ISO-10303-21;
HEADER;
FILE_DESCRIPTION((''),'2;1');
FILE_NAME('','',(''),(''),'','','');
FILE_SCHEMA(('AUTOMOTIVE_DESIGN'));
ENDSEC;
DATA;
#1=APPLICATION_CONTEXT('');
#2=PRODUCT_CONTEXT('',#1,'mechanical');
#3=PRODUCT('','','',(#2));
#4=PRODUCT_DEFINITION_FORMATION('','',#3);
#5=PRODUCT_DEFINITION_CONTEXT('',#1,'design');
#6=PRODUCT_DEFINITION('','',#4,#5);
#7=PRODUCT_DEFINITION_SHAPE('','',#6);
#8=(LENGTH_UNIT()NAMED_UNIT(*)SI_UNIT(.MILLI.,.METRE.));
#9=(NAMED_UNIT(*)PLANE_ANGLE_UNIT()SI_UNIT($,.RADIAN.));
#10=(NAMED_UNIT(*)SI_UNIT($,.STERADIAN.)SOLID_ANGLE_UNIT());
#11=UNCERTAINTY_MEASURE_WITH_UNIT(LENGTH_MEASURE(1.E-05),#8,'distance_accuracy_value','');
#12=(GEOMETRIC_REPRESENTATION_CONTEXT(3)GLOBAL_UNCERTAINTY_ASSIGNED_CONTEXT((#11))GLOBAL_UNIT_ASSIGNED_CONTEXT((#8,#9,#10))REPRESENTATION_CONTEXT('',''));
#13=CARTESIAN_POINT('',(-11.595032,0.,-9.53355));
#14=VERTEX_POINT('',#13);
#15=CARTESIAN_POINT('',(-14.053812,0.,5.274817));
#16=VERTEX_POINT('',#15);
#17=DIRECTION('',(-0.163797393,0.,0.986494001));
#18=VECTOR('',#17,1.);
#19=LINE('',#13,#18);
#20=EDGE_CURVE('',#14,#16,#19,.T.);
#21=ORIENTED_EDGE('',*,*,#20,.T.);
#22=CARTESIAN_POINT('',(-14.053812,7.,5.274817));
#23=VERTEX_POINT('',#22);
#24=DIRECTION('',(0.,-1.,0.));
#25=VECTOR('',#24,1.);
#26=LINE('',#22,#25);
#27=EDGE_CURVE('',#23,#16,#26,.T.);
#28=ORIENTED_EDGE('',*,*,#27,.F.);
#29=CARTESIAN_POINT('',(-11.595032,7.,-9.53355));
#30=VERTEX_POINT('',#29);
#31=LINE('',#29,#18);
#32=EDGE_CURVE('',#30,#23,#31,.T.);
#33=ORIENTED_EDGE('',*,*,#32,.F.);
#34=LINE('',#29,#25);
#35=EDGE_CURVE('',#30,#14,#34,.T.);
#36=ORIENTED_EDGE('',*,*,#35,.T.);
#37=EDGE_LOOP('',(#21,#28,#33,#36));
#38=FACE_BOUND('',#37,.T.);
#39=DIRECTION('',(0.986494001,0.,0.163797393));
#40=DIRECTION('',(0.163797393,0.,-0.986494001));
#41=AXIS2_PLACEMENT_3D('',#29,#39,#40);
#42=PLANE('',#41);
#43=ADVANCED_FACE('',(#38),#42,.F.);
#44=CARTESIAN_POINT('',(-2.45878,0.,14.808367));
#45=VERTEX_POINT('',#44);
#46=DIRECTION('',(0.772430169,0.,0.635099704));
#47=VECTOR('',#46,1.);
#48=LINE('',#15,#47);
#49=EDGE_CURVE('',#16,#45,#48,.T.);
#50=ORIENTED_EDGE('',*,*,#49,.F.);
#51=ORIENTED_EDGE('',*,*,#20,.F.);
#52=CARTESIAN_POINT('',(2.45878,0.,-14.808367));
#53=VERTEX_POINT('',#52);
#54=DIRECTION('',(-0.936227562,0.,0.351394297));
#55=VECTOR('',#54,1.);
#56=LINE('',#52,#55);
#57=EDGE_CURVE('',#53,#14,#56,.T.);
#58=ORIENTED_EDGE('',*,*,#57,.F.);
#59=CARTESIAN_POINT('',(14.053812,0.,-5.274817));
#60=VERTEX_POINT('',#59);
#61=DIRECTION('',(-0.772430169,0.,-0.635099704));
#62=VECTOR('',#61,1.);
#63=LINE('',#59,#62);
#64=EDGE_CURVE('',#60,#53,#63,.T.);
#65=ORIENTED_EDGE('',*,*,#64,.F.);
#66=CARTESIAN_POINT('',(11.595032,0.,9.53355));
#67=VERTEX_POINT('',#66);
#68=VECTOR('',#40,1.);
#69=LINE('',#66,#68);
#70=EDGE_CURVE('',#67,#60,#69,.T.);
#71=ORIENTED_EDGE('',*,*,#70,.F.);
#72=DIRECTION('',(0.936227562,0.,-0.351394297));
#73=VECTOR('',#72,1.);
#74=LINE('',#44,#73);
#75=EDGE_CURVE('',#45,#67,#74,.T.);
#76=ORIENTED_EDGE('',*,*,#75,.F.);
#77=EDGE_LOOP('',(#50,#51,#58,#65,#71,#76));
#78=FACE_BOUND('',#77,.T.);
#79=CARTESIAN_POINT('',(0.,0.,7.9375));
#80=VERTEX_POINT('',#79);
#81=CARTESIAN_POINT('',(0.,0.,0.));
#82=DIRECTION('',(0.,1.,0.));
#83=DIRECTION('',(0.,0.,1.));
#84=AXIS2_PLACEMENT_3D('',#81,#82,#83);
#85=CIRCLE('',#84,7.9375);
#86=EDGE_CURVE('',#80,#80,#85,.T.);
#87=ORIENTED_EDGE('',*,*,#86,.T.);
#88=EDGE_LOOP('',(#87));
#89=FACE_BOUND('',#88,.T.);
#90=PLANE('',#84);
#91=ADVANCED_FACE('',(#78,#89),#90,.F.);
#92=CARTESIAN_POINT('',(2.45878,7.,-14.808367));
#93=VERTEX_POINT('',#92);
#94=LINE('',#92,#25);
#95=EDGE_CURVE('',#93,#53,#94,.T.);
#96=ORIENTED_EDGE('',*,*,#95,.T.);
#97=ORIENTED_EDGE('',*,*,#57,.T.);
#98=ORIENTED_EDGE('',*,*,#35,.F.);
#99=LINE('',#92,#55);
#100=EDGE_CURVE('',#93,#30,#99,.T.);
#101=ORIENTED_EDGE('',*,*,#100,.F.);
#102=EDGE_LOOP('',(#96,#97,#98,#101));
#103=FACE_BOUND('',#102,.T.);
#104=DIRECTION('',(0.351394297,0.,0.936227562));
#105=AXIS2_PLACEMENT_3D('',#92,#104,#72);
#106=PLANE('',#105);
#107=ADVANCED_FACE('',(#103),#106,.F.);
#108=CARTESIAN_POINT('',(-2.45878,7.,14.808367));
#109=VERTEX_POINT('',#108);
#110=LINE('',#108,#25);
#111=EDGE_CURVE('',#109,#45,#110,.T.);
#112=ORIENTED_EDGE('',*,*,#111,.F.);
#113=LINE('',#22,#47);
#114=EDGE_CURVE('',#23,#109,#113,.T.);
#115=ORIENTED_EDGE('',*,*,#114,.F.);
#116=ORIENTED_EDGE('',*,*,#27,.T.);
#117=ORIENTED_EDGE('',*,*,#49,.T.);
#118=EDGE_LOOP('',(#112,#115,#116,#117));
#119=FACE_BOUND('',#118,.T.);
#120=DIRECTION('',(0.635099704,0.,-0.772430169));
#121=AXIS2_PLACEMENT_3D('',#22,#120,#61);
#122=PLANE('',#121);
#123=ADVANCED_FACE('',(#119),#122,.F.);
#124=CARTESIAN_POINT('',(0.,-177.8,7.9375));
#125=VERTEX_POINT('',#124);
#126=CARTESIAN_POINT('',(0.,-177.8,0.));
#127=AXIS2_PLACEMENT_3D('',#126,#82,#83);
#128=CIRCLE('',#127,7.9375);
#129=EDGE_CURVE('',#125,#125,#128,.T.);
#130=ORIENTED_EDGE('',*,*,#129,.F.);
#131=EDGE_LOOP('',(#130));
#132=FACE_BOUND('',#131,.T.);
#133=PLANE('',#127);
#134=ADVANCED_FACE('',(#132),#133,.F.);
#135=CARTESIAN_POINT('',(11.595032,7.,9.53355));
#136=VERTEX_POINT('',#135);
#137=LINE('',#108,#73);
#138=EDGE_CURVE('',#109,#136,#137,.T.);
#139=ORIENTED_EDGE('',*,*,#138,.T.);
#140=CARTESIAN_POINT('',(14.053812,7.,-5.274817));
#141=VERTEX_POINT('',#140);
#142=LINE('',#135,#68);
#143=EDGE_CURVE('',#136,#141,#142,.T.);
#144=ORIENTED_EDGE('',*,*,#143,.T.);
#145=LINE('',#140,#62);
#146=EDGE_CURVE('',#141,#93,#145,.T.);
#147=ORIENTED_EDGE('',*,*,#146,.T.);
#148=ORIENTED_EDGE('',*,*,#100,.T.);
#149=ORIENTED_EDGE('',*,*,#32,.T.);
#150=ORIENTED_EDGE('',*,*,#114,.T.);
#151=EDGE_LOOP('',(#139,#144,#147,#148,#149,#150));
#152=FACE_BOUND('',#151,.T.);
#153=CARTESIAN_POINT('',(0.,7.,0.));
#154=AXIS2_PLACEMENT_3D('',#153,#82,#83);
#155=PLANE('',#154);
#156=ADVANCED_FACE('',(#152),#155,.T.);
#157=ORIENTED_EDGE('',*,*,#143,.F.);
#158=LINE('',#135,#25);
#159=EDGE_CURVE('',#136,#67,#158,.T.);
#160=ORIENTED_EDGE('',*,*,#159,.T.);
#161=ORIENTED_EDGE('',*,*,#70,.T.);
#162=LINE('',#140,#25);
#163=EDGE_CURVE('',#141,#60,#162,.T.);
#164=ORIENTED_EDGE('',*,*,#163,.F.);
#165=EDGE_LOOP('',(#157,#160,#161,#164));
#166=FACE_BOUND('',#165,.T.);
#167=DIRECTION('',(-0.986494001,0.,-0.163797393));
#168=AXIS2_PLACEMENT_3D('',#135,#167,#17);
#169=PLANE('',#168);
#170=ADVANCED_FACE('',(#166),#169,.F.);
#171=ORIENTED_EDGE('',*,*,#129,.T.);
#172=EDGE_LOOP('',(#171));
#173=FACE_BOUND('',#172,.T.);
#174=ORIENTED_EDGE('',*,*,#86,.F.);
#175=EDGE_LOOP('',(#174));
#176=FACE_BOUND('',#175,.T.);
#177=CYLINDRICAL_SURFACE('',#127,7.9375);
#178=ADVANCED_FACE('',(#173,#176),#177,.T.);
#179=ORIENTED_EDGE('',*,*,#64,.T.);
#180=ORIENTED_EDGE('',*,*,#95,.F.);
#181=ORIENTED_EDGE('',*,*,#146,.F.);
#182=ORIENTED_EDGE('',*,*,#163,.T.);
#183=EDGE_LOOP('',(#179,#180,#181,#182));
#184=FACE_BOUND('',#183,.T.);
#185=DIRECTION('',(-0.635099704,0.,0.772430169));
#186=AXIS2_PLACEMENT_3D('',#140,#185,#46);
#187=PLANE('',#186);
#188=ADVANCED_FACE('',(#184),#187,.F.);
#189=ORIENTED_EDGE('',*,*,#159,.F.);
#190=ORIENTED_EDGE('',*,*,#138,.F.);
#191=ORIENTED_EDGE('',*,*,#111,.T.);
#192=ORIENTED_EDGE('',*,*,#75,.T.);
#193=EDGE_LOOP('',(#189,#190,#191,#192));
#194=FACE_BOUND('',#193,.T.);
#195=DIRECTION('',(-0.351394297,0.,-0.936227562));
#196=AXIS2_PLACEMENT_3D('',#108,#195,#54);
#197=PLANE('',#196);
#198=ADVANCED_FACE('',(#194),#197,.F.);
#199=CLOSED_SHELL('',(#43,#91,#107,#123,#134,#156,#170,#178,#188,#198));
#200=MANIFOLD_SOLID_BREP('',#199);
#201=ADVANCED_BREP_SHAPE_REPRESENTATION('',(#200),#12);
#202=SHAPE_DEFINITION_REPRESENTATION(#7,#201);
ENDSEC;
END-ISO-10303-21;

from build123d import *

# Parameters (mm, degrees)
SKETCH1_R   = 7.9375
SHAFT_DEPTH = 177.8
HEAD_DEPTH  = 7


with BuildPart() as part:
    # Sketch1 → Shaft (new body)
    with BuildSketch(Plane(origin=(0, 0, 0), x_dir=(1, 0, 0), z_dir=(0, 1, 0))):
        with Locations(Location((0, 0, 0), (0, 0, 270))):
            Circle(SKETCH1_R)
    extrude(amount=-SHAFT_DEPTH)

    # Sketch2 → Head (add)
    with BuildSketch(Plane(origin=(0, 0, 0), x_dir=(1, 0, 0), z_dir=(0, 1, 0))):
        Polygon((11.595031913, -9.533549616), (14.053812112, 5.274817386), (2.458780199, 14.808367002), (-11.595031913, 9.533549616), (-14.053812112, -5.274817386), (-2.458780199, -14.808367002), align=None)
    extrude(amount=HEAD_DEPTH)


solid = part.part
